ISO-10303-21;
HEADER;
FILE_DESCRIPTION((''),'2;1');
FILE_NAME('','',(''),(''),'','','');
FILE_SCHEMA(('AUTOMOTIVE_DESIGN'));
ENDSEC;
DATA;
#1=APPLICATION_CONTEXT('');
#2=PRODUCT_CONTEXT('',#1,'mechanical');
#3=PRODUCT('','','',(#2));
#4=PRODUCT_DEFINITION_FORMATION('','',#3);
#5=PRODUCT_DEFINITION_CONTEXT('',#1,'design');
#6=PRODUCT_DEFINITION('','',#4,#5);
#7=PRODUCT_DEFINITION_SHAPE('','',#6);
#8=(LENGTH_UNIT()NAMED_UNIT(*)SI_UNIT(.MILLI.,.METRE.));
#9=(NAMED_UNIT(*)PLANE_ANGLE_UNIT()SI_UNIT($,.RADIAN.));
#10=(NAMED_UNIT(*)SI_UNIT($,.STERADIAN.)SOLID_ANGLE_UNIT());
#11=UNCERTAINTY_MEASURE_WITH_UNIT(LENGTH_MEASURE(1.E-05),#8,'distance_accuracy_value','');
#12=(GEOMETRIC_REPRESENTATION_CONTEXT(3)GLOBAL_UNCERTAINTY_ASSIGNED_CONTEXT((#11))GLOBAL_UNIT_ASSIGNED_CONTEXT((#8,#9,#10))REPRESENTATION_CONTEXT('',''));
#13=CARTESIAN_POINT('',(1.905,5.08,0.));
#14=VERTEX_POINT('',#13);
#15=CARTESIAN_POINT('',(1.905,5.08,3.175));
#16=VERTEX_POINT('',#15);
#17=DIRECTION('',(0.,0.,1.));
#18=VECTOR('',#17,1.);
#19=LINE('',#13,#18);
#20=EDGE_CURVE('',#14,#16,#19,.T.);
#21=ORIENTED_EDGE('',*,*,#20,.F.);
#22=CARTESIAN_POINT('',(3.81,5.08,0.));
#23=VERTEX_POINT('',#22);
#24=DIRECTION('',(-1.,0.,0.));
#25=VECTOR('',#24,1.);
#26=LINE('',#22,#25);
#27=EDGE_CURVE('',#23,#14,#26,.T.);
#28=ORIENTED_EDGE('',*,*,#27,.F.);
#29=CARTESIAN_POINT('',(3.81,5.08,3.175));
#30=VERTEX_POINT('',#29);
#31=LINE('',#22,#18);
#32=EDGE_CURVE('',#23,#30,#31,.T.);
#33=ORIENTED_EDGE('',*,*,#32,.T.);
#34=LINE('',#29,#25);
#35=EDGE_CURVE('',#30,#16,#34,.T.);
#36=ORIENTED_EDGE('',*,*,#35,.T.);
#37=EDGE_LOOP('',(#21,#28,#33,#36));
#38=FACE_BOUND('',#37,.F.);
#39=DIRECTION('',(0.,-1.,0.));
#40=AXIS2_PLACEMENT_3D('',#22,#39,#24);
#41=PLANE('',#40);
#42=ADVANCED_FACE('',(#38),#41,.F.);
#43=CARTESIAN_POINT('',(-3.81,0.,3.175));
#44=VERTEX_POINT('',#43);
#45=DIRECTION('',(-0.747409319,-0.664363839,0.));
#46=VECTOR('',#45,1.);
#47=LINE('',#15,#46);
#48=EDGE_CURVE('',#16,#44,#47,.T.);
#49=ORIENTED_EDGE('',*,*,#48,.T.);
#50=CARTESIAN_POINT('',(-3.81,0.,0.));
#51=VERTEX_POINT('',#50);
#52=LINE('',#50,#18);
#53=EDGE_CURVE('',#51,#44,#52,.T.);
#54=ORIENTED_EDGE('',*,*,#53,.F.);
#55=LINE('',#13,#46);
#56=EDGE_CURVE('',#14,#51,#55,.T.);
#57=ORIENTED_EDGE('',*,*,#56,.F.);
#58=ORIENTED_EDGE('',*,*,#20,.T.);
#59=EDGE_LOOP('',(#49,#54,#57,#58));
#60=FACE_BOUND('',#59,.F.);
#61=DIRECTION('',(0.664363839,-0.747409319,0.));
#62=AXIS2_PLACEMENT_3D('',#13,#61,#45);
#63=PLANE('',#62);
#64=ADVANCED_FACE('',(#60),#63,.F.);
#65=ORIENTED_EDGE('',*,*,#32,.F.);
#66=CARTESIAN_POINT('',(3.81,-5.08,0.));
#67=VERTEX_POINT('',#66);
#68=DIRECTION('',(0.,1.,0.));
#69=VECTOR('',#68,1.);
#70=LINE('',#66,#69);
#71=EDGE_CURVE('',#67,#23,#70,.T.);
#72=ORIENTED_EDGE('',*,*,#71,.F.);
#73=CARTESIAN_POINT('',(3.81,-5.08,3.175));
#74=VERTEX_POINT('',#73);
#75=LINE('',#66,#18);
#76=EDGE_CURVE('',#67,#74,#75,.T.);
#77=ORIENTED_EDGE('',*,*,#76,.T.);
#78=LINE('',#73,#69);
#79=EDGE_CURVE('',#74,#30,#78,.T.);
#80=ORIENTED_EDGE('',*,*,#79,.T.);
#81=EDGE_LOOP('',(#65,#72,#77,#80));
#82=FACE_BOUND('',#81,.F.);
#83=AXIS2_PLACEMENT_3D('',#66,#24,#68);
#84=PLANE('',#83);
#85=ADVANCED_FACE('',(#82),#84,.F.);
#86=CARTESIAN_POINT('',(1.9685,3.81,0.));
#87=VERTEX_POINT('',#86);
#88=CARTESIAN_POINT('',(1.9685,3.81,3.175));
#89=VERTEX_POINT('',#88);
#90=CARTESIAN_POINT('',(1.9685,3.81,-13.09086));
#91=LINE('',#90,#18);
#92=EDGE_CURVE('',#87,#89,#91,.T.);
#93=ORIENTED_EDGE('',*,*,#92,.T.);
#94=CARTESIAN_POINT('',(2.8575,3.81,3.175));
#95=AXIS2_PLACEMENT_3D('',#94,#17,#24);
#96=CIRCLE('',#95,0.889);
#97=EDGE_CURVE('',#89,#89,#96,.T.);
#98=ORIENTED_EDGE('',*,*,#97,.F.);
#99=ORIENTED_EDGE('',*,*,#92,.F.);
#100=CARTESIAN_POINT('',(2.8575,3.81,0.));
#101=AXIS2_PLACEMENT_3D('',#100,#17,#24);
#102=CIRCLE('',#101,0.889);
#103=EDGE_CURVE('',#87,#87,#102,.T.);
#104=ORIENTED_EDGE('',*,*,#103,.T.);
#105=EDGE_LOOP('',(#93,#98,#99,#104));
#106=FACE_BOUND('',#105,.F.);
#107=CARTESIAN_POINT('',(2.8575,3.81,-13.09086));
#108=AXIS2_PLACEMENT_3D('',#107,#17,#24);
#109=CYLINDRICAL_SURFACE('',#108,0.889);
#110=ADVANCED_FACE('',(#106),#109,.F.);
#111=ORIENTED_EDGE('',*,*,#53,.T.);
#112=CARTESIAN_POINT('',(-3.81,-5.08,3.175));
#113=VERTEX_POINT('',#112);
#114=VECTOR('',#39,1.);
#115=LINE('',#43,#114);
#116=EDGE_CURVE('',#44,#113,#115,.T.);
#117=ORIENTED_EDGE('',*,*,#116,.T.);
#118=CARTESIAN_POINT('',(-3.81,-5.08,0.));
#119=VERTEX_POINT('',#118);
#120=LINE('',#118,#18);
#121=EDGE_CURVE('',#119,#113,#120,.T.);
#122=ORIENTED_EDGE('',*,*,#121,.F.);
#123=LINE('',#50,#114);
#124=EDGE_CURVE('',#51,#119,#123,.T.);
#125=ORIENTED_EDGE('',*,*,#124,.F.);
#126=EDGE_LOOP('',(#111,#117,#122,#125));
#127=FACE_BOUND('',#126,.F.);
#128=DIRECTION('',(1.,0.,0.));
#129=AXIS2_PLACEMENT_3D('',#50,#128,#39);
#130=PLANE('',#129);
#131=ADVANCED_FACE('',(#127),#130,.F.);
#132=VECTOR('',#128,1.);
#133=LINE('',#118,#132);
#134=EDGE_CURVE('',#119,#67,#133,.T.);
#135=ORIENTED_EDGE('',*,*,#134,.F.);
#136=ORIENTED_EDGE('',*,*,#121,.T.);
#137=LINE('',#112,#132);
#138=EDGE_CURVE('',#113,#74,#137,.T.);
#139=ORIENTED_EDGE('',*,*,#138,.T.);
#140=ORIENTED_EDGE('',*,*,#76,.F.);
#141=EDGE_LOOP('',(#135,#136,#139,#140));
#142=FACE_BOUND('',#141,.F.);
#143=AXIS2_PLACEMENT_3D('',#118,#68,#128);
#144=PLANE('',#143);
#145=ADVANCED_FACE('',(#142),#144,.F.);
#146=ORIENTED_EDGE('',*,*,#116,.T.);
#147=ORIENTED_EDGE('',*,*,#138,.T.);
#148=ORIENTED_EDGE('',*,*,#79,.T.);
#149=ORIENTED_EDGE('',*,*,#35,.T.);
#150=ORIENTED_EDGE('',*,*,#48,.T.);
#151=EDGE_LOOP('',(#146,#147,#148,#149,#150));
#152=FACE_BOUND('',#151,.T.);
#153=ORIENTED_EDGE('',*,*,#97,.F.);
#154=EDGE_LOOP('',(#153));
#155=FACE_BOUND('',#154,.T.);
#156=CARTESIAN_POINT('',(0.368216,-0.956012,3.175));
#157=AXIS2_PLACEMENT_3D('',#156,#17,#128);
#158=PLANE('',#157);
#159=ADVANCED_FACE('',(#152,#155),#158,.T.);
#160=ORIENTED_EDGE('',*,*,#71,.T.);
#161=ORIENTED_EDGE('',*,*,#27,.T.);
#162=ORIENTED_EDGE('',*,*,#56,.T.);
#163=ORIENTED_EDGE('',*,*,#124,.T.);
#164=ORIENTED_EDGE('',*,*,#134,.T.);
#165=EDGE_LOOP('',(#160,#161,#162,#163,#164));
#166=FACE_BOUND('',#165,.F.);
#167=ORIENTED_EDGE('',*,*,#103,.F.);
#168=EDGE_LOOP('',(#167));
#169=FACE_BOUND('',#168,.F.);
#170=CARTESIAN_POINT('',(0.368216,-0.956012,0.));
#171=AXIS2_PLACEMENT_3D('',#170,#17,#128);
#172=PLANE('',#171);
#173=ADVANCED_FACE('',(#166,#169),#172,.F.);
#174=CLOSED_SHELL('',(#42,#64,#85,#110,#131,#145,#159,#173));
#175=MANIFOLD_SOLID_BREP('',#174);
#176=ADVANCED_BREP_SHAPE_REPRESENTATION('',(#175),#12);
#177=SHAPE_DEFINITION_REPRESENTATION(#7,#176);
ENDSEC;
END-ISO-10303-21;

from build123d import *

# Parameters (mm, degrees)
F1_DEPTH = 3.175
F2_D     = 1.778


with BuildPart() as f1:
    # F0 (on Top) → F1 (new body)
    with BuildSketch(Plane.XY):
        Polygon((-3.81, -5.08), (3.81, -5.08), (3.81, 0), (3.81, 2.54), (1.905, 5.08), (-3.81, 0), align=None)
        Polygon((1.905, 5.08), (3.81, 2.54), (3.81, 5.08), align=None)
    extrude(amount=F1_DEPTH)

    # F2 (through all)
    with Locations(Plane(origin=(0, 0, 0), x_dir=(1, 0, 0), z_dir=(0, 0, -1))):
        with Locations((2.8575, -3.81)):
            Hole(F2_D / 2)


solid = f1.part
